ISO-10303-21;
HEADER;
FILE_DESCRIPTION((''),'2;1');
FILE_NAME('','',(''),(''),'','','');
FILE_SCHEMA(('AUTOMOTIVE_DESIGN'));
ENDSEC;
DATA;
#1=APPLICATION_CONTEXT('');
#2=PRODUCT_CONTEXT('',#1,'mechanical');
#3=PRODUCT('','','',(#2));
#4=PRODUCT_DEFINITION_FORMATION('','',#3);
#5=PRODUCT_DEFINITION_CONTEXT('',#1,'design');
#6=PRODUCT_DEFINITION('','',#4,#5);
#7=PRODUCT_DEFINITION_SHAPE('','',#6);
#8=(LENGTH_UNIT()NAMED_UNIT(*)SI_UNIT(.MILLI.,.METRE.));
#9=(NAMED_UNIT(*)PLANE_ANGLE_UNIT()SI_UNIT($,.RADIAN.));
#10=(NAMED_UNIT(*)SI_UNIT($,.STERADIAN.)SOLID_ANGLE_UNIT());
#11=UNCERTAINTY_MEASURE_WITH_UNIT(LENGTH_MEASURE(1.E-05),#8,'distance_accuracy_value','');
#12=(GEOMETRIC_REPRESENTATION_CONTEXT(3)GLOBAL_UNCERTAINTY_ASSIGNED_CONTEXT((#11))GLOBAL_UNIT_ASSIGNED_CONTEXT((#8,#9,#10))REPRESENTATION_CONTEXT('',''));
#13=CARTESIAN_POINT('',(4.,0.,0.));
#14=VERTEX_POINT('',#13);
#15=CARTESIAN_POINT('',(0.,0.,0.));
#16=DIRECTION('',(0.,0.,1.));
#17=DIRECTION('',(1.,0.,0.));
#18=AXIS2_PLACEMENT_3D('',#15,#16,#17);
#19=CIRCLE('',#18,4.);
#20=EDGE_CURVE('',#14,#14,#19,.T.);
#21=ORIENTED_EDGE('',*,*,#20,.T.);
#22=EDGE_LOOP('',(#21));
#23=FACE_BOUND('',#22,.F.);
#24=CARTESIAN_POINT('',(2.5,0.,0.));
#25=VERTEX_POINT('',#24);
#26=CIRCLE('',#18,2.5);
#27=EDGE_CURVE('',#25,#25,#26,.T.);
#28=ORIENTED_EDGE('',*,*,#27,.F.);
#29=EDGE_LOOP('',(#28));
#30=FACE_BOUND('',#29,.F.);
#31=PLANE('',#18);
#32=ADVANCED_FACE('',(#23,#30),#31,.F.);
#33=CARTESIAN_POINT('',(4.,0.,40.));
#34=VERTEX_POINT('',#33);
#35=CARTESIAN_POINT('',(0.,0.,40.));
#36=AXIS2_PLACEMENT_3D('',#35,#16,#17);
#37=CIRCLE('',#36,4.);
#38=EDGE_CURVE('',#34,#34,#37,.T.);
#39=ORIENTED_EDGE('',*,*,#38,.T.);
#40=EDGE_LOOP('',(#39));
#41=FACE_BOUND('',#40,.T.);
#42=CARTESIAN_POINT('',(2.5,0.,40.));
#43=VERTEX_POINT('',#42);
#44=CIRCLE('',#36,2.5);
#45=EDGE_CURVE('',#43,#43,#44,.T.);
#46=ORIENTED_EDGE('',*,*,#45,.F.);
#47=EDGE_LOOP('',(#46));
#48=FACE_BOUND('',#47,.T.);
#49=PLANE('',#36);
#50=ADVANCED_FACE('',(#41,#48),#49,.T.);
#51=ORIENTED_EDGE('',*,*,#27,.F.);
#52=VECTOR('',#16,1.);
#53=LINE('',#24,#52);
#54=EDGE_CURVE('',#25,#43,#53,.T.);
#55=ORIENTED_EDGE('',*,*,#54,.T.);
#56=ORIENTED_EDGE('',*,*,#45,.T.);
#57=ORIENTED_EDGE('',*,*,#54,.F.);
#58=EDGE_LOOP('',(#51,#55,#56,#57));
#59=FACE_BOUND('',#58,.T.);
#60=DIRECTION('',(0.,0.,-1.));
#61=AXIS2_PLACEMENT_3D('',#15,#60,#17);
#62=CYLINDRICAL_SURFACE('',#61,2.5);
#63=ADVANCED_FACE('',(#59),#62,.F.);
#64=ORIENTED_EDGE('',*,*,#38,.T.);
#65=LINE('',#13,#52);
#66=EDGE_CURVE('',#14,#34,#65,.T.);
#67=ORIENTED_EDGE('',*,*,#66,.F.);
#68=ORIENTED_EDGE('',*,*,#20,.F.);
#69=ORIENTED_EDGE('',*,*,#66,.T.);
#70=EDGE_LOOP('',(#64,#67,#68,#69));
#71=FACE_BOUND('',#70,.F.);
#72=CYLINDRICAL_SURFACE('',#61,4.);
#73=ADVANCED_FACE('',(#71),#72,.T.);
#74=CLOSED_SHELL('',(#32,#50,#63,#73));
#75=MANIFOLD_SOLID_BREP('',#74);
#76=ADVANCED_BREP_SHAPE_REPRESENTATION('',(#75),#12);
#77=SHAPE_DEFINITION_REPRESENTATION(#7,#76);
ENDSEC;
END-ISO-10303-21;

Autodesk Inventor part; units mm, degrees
ref_plane "YZ Plane" through (0, 0, 0) normal (1, 0, 0) x (0, 1, 0)
ref_plane "XZ Plane" through (0, 0, 0) normal (0, 1, 0) x (-1, 0, 0)
ref_plane "XY Plane" through (0, 0, 0) normal (0, 0, 1) x (1, 0, 0)
sketch "Sketch1" plane through (0, 0, 0) normal (0, 0, 1) x (1, 0, 0)
  circle A0 centre (0, 0) radius 4
  circle A1 centre (0, 0) radius 2.5
  dimension "d0" = 8
  dimension "d1" = 5
extrude "Extrusion1" add sketch "Sketch1" along normal blind 40
properties part number "M5x40mm_coupler" material "Aluminum 6061"
